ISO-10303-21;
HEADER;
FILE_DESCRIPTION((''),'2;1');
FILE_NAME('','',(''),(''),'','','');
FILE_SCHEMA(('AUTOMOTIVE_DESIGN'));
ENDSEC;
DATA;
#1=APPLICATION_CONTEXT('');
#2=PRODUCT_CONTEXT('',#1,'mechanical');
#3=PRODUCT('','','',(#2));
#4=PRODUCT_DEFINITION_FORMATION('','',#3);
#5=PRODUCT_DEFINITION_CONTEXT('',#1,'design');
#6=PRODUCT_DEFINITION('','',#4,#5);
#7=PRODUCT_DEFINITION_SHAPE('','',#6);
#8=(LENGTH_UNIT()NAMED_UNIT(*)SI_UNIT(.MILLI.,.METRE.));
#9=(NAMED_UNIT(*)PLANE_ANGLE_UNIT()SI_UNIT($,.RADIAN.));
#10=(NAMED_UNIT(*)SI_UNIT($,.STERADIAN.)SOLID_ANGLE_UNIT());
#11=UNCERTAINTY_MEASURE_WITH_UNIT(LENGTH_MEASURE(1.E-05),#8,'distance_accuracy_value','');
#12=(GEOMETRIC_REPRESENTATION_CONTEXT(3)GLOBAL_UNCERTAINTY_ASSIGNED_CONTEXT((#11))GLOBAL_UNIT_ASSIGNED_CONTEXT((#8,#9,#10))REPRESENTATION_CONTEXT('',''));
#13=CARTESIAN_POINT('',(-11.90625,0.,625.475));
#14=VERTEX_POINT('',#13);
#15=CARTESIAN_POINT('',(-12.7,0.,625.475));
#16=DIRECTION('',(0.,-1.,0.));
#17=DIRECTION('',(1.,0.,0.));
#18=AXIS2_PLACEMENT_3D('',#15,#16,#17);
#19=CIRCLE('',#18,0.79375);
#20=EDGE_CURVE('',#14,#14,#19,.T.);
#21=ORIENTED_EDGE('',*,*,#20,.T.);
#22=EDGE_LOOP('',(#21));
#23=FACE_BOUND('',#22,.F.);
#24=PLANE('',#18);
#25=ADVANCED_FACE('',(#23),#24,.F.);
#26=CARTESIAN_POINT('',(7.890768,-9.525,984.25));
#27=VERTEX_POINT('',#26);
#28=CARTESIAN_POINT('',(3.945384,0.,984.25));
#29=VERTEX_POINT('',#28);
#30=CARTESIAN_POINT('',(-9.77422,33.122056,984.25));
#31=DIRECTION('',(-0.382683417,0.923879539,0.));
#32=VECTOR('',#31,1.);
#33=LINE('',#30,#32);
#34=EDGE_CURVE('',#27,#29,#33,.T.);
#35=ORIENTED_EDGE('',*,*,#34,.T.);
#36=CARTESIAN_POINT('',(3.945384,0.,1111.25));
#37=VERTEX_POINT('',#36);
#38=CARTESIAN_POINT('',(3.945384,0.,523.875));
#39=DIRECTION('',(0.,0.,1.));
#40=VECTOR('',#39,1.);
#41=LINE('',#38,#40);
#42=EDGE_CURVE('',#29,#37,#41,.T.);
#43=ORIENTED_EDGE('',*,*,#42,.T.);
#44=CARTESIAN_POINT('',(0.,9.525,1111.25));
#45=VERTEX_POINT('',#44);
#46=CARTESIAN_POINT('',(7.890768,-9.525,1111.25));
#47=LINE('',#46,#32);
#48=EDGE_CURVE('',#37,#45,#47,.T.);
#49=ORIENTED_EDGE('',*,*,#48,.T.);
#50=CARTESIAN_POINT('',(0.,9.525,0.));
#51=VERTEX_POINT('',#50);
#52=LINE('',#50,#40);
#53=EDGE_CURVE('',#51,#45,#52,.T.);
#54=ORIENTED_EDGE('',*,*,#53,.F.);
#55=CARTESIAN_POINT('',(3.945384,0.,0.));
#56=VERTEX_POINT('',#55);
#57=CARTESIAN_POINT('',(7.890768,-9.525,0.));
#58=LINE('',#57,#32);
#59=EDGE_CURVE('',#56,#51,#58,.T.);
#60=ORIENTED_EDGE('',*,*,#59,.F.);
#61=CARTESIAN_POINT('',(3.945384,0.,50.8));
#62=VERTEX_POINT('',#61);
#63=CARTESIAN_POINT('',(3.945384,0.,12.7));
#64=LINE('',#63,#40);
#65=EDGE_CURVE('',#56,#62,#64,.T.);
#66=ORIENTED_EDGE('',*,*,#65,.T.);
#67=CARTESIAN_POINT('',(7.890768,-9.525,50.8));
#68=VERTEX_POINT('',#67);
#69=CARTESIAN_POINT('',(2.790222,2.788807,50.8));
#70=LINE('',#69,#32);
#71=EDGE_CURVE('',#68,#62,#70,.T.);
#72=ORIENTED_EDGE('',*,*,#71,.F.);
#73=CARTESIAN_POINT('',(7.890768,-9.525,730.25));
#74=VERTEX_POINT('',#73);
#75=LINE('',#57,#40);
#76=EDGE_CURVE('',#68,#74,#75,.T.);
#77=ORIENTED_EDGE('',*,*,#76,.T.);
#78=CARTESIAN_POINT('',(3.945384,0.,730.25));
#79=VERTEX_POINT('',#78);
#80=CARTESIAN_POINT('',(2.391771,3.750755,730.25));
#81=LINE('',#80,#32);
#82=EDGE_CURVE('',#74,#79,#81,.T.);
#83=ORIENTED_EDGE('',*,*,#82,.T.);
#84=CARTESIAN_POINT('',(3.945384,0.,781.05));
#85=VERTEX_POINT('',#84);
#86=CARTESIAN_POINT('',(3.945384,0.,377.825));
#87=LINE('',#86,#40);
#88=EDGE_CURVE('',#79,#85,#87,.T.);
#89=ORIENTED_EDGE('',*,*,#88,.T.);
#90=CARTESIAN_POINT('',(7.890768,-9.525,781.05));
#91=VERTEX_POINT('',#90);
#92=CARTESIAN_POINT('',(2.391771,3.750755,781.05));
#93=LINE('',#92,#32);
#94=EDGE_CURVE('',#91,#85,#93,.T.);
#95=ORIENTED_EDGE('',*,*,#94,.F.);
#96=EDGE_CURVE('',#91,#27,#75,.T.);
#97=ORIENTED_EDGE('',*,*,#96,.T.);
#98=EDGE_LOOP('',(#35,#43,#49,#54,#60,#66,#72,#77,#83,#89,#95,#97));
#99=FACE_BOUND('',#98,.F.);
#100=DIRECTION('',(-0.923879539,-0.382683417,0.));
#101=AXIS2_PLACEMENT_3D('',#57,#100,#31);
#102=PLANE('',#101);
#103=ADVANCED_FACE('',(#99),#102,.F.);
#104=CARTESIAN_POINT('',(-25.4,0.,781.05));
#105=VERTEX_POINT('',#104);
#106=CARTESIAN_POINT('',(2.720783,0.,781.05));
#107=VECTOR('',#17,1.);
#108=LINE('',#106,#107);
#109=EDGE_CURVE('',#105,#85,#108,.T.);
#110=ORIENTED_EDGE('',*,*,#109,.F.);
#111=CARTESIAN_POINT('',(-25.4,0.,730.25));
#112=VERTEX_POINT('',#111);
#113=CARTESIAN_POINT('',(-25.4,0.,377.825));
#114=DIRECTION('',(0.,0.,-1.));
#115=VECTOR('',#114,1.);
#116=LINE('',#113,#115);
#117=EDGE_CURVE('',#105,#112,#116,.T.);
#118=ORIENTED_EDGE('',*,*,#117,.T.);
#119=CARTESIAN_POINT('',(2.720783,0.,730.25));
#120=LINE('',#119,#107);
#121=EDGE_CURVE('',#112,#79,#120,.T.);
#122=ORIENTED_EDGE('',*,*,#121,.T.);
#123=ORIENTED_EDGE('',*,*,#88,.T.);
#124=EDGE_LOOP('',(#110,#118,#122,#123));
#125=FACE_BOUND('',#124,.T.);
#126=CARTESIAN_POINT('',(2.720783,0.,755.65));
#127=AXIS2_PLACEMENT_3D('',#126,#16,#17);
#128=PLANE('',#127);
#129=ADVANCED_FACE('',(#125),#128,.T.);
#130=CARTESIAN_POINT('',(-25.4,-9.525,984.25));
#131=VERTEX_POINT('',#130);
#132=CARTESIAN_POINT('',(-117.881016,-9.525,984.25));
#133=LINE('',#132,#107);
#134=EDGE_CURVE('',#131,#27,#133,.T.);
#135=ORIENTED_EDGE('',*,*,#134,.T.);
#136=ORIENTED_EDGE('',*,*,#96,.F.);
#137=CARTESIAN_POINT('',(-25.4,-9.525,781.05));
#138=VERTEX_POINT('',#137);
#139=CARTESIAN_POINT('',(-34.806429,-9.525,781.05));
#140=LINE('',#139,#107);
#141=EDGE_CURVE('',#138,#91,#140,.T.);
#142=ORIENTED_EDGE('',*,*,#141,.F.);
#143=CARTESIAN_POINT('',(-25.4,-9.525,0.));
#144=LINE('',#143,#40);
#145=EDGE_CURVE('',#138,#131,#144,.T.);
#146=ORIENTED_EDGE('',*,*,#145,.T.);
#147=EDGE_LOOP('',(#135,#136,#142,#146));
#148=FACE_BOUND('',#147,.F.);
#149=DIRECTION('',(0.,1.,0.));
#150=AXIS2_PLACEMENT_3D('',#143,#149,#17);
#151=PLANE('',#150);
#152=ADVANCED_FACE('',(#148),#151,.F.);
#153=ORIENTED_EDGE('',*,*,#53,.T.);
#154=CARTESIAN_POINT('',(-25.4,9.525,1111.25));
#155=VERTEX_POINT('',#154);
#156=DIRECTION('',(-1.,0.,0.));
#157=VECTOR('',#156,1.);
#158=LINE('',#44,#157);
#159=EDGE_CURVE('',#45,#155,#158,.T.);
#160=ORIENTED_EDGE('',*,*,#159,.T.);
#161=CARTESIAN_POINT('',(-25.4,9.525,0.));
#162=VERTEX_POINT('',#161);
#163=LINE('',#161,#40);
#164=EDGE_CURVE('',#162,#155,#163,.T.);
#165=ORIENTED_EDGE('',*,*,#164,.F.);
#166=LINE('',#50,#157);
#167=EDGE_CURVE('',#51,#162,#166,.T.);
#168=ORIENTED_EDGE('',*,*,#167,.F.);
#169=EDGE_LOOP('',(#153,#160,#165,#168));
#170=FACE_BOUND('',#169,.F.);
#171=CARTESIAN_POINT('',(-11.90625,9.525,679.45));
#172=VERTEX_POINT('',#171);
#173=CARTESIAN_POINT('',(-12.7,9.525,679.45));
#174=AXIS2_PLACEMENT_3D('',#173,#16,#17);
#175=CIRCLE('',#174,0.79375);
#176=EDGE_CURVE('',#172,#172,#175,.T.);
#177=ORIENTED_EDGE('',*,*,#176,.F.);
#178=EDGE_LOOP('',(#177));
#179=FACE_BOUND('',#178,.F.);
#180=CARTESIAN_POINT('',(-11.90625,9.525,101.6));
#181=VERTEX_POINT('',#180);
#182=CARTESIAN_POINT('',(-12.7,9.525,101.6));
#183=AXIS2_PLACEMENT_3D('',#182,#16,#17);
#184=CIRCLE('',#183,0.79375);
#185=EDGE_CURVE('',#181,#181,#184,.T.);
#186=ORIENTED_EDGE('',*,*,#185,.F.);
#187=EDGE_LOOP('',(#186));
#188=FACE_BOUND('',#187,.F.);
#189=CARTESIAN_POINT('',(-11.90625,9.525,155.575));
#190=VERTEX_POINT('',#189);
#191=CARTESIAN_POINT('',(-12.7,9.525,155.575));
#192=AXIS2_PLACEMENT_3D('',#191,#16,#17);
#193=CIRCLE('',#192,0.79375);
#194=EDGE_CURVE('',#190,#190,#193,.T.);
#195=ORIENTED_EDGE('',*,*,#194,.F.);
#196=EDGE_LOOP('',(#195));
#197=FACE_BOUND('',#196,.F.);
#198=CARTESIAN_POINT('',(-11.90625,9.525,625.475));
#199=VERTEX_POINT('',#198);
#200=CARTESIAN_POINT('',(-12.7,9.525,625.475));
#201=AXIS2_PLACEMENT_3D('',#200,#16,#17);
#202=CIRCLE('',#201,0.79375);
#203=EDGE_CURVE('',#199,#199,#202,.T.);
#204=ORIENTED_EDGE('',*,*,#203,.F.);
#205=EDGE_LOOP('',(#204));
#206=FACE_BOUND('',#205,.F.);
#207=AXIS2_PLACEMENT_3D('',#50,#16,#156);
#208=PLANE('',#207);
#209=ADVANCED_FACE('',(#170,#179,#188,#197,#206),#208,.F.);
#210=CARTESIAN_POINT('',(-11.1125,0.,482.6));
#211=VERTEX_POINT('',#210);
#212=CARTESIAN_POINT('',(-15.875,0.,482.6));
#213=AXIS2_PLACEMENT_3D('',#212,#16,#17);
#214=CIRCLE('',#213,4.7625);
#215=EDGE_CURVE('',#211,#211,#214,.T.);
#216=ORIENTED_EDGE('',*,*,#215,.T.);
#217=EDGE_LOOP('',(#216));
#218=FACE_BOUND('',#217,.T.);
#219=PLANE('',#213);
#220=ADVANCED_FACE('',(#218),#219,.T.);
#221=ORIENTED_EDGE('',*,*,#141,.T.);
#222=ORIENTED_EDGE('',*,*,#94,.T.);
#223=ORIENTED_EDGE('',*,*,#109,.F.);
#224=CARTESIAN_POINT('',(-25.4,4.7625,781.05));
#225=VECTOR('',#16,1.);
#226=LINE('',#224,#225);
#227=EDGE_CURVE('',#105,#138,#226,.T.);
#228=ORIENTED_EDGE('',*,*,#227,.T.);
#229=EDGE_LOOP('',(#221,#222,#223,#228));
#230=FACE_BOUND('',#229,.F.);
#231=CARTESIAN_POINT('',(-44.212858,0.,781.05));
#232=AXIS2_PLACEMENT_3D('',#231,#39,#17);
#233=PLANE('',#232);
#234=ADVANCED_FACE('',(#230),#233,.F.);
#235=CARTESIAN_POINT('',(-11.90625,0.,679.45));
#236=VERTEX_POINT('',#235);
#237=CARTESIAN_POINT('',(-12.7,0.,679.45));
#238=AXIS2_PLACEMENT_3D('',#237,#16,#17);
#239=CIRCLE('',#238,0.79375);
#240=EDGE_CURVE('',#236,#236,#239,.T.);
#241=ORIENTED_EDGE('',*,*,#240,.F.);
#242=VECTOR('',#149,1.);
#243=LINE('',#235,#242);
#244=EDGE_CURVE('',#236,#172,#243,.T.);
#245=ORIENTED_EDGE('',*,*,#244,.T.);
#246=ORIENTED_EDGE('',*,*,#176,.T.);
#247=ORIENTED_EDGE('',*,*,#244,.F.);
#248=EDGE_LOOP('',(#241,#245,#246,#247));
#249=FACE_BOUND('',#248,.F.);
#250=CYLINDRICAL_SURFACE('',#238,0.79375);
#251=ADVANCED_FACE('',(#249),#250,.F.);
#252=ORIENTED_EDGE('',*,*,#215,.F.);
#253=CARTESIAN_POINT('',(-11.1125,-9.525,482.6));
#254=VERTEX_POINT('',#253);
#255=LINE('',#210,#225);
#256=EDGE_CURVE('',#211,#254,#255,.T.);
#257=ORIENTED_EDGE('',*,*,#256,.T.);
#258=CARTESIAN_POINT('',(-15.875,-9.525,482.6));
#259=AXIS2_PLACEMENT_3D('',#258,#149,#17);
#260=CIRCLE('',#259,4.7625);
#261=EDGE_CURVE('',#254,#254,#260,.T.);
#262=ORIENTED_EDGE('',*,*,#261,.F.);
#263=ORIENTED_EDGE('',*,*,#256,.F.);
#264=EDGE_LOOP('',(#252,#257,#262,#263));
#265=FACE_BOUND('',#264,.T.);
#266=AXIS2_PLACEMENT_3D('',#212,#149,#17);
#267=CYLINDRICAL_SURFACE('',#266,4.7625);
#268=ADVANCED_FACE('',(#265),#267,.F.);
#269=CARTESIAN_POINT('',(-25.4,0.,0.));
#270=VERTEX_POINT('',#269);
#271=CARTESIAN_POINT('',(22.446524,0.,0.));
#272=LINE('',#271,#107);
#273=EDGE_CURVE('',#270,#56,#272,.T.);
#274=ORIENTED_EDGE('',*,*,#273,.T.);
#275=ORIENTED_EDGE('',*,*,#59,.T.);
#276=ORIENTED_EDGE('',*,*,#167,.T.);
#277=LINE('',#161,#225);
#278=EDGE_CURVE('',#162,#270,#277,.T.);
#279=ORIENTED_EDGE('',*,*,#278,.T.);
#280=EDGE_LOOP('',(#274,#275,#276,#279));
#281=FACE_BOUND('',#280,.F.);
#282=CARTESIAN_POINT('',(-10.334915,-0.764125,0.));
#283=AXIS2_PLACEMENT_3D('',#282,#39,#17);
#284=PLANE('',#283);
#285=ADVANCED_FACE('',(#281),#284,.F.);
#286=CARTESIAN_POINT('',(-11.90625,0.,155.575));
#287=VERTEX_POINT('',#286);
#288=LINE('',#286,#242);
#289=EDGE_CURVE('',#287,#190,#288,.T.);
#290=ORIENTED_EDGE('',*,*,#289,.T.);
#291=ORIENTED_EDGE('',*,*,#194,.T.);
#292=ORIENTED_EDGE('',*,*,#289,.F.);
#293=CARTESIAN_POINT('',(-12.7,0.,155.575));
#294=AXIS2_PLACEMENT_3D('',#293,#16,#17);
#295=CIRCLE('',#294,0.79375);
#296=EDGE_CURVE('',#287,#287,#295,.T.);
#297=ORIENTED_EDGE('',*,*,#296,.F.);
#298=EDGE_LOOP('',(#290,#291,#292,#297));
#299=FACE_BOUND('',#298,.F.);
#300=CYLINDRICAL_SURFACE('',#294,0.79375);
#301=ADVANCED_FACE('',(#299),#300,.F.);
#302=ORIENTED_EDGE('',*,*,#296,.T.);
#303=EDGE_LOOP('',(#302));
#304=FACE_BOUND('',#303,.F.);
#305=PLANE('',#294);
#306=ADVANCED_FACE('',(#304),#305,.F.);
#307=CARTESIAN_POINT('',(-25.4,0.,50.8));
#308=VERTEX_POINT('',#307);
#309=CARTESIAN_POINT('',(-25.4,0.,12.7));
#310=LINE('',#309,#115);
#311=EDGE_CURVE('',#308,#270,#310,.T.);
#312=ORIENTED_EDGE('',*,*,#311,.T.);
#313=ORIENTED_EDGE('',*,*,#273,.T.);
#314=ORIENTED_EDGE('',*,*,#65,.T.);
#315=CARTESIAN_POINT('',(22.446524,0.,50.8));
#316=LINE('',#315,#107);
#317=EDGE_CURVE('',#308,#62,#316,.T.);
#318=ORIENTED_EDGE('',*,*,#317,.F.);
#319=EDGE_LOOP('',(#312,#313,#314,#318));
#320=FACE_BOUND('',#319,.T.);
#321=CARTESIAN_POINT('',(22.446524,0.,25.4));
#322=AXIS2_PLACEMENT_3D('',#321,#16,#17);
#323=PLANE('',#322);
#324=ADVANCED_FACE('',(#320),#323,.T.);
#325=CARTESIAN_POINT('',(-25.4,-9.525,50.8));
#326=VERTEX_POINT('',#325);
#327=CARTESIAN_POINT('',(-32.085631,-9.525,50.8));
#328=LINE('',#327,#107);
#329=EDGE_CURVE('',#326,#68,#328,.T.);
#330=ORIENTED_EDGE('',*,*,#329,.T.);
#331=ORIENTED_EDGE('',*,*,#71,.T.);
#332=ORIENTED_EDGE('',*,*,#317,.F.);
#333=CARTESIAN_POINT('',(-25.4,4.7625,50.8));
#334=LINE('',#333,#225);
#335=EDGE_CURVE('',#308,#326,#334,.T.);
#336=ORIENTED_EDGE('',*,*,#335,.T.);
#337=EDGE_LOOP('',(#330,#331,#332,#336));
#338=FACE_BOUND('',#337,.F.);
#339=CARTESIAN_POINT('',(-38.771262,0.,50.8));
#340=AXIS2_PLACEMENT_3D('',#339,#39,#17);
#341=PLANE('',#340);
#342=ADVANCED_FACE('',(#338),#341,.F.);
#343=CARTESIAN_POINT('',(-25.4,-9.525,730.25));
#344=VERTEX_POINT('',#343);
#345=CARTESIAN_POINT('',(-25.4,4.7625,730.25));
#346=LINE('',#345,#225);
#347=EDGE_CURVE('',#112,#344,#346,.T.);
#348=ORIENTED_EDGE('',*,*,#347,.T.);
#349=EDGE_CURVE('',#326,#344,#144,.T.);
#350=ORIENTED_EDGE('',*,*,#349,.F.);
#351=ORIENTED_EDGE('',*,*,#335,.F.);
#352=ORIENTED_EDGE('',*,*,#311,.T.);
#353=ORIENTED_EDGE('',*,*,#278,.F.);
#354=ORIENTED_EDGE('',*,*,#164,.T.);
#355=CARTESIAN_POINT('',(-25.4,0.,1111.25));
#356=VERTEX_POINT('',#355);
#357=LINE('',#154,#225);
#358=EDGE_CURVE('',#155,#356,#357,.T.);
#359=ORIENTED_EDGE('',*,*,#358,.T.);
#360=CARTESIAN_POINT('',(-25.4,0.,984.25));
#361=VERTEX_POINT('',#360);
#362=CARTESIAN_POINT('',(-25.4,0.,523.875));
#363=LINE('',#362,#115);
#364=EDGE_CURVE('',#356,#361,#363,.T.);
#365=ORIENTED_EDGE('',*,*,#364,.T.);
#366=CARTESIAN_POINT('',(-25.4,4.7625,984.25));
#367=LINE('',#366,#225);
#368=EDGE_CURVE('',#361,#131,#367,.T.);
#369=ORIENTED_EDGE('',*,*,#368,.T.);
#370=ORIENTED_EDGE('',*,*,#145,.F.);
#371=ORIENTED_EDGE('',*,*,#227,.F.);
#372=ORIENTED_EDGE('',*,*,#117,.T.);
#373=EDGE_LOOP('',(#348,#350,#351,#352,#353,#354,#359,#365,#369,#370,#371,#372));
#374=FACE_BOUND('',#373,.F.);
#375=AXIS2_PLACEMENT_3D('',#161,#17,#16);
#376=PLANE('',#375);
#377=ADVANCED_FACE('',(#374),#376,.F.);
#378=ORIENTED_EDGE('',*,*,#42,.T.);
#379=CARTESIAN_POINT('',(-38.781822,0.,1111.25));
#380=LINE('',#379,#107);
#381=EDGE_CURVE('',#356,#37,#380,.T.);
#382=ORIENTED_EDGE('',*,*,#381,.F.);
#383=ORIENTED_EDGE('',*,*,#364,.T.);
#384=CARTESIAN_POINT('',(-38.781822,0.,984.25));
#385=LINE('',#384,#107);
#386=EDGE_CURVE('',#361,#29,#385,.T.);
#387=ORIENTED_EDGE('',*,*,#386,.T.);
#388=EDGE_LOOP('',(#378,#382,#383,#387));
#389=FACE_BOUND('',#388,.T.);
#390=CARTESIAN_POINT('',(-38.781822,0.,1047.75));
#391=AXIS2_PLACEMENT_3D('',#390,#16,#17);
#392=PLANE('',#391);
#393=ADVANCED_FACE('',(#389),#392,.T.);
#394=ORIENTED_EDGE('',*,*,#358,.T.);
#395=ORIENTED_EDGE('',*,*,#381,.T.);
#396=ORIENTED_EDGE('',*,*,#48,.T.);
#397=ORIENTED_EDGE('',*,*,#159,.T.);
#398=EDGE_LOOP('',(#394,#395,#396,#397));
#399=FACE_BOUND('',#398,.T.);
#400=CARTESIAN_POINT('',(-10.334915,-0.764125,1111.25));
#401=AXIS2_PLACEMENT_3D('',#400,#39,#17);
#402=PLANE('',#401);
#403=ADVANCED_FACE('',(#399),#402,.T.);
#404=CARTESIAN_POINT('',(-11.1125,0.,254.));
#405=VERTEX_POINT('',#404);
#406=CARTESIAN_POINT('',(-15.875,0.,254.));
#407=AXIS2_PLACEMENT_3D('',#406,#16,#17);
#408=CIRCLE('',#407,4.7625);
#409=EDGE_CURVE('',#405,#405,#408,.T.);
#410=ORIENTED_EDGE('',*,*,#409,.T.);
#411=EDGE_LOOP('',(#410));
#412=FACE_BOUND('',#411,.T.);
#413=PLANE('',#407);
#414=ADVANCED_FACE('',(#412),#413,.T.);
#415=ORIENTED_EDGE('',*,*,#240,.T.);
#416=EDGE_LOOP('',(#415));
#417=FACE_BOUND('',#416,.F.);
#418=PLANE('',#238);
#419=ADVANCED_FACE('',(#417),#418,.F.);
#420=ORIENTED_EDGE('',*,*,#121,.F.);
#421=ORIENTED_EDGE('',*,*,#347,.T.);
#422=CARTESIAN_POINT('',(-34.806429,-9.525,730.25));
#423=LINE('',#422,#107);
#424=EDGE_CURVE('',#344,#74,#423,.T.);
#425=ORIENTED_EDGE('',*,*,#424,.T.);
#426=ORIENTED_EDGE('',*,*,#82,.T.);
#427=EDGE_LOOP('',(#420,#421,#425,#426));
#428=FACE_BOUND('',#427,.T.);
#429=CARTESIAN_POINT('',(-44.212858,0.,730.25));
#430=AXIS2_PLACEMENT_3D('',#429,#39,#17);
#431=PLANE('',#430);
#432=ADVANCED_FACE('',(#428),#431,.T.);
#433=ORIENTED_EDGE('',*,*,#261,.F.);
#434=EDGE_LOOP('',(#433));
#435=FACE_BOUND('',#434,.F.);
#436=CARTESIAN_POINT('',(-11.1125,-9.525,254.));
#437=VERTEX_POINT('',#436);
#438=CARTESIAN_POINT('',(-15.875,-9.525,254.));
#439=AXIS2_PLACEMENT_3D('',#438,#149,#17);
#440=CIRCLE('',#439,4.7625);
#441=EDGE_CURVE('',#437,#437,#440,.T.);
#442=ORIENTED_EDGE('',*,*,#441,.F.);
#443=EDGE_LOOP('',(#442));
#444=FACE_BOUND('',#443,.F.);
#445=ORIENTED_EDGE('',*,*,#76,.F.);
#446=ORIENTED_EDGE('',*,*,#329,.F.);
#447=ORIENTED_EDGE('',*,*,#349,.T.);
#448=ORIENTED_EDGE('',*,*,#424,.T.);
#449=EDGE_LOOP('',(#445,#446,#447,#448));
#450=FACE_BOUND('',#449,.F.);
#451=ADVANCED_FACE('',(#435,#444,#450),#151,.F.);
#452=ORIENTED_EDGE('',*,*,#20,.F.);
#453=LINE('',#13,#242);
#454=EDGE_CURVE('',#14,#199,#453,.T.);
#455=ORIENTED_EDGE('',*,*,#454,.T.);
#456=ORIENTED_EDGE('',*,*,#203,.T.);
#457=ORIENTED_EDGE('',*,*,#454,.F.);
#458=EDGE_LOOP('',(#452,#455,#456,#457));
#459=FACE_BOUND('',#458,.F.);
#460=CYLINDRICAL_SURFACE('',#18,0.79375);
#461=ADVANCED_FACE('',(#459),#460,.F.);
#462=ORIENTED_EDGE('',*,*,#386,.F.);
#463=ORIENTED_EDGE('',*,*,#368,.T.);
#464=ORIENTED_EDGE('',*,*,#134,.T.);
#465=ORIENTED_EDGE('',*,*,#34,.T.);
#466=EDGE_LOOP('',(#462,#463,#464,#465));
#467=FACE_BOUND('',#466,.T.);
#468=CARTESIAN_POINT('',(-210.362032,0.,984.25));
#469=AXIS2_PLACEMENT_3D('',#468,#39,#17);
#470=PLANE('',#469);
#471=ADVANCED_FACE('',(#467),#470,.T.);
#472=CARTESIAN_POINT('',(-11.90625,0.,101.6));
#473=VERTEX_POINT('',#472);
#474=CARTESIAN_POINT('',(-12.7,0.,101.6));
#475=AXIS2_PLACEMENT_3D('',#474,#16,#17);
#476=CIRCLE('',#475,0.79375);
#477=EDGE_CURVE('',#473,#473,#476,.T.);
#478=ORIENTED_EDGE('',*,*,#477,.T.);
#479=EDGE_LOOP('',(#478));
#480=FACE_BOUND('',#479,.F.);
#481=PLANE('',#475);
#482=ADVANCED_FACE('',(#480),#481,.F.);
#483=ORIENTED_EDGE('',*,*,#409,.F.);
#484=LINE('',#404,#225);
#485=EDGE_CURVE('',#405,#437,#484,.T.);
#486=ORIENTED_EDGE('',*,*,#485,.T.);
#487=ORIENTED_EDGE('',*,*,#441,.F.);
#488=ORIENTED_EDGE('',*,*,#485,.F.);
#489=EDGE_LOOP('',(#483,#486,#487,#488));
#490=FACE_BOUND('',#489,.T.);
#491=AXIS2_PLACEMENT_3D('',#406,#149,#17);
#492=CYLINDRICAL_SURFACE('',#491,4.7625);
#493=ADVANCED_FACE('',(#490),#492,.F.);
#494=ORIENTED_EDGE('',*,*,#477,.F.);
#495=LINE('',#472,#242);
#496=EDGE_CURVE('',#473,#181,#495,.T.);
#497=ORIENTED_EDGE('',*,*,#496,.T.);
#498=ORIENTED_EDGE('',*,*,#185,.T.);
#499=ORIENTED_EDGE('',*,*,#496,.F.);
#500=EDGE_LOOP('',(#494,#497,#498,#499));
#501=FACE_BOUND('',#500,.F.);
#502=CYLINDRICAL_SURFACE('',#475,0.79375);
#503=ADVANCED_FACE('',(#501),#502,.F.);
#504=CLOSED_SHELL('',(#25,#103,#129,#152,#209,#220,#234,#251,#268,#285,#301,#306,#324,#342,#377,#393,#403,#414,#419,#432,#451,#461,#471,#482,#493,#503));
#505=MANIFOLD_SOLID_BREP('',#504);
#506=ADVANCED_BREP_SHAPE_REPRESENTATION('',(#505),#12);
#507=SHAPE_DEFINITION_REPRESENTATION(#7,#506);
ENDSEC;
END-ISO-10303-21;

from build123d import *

# Parameters (mm, degrees)
F1_DEPTH = 1111.25
F2_W     = 122.435573
F2_H     = 50.8
F2_W_2   = 93.867282
F2_W_3   = 343.160421
F2_H_2   = 127
F3_DEPTH = 25.4
F4_R     = 0.79375
F5_DEPTH = 25.4
F6_R     = 4.7625
F7_DEPTH = 25.4


with BuildPart() as f1:
    # F0 (on Top) → F1 (new body)
    with BuildSketch(Plane.XY):
        Polygon((7.890768, -9.525), (0, 9.525), (-25.4, 9.525), (-25.4, -9.525), align=None)
    extrude(amount=F1_DEPTH)

    # F2 (on Front) → F3 (cut)
    with BuildSketch(Plane.XZ):
        with Locations((22.446524, 25.4)):
            Rectangle(F2_W, F2_H)
        with Locations((2.720783, 755.65)):
            Rectangle(F2_W_2, F2_H)
        with Locations((-38.781822, 1047.75)):
            Rectangle(F2_W_3, F2_H_2)
    extrude(amount=F3_DEPTH, mode=Mode.SUBTRACT)

    # F4 (on Front) → F5 (cut)
    with BuildSketch(Plane.XZ):
        with Locations((12.7, 101.6)):
            Circle(F4_R)
        with Locations((12.7, 155.575)):
            Circle(F4_R)
        with Locations((12.7, 625.475)):
            Circle(F4_R)
        with Locations((12.7, 679.45)):
            Circle(F4_R)
        with Locations((-12.7, 625.475)):
            Circle(F4_R)
        with Locations((-12.7, 679.45)):
            Circle(F4_R)
        with Locations((-12.7, 101.6)):
            Circle(F4_R)
        with Locations((-12.7, 155.575)):
            Circle(F4_R)
    extrude(amount=-F5_DEPTH, mode=Mode.SUBTRACT)

    # F6 (on Front) → F7 (cut)
    with BuildSketch(Plane.XZ):
        with Locations((-15.875, 254)):
            Circle(F6_R)
        with Locations((-15.875, 482.6)):
            Circle(F6_R)
    extrude(amount=F7_DEPTH, mode=Mode.SUBTRACT)


solid = f1.part
